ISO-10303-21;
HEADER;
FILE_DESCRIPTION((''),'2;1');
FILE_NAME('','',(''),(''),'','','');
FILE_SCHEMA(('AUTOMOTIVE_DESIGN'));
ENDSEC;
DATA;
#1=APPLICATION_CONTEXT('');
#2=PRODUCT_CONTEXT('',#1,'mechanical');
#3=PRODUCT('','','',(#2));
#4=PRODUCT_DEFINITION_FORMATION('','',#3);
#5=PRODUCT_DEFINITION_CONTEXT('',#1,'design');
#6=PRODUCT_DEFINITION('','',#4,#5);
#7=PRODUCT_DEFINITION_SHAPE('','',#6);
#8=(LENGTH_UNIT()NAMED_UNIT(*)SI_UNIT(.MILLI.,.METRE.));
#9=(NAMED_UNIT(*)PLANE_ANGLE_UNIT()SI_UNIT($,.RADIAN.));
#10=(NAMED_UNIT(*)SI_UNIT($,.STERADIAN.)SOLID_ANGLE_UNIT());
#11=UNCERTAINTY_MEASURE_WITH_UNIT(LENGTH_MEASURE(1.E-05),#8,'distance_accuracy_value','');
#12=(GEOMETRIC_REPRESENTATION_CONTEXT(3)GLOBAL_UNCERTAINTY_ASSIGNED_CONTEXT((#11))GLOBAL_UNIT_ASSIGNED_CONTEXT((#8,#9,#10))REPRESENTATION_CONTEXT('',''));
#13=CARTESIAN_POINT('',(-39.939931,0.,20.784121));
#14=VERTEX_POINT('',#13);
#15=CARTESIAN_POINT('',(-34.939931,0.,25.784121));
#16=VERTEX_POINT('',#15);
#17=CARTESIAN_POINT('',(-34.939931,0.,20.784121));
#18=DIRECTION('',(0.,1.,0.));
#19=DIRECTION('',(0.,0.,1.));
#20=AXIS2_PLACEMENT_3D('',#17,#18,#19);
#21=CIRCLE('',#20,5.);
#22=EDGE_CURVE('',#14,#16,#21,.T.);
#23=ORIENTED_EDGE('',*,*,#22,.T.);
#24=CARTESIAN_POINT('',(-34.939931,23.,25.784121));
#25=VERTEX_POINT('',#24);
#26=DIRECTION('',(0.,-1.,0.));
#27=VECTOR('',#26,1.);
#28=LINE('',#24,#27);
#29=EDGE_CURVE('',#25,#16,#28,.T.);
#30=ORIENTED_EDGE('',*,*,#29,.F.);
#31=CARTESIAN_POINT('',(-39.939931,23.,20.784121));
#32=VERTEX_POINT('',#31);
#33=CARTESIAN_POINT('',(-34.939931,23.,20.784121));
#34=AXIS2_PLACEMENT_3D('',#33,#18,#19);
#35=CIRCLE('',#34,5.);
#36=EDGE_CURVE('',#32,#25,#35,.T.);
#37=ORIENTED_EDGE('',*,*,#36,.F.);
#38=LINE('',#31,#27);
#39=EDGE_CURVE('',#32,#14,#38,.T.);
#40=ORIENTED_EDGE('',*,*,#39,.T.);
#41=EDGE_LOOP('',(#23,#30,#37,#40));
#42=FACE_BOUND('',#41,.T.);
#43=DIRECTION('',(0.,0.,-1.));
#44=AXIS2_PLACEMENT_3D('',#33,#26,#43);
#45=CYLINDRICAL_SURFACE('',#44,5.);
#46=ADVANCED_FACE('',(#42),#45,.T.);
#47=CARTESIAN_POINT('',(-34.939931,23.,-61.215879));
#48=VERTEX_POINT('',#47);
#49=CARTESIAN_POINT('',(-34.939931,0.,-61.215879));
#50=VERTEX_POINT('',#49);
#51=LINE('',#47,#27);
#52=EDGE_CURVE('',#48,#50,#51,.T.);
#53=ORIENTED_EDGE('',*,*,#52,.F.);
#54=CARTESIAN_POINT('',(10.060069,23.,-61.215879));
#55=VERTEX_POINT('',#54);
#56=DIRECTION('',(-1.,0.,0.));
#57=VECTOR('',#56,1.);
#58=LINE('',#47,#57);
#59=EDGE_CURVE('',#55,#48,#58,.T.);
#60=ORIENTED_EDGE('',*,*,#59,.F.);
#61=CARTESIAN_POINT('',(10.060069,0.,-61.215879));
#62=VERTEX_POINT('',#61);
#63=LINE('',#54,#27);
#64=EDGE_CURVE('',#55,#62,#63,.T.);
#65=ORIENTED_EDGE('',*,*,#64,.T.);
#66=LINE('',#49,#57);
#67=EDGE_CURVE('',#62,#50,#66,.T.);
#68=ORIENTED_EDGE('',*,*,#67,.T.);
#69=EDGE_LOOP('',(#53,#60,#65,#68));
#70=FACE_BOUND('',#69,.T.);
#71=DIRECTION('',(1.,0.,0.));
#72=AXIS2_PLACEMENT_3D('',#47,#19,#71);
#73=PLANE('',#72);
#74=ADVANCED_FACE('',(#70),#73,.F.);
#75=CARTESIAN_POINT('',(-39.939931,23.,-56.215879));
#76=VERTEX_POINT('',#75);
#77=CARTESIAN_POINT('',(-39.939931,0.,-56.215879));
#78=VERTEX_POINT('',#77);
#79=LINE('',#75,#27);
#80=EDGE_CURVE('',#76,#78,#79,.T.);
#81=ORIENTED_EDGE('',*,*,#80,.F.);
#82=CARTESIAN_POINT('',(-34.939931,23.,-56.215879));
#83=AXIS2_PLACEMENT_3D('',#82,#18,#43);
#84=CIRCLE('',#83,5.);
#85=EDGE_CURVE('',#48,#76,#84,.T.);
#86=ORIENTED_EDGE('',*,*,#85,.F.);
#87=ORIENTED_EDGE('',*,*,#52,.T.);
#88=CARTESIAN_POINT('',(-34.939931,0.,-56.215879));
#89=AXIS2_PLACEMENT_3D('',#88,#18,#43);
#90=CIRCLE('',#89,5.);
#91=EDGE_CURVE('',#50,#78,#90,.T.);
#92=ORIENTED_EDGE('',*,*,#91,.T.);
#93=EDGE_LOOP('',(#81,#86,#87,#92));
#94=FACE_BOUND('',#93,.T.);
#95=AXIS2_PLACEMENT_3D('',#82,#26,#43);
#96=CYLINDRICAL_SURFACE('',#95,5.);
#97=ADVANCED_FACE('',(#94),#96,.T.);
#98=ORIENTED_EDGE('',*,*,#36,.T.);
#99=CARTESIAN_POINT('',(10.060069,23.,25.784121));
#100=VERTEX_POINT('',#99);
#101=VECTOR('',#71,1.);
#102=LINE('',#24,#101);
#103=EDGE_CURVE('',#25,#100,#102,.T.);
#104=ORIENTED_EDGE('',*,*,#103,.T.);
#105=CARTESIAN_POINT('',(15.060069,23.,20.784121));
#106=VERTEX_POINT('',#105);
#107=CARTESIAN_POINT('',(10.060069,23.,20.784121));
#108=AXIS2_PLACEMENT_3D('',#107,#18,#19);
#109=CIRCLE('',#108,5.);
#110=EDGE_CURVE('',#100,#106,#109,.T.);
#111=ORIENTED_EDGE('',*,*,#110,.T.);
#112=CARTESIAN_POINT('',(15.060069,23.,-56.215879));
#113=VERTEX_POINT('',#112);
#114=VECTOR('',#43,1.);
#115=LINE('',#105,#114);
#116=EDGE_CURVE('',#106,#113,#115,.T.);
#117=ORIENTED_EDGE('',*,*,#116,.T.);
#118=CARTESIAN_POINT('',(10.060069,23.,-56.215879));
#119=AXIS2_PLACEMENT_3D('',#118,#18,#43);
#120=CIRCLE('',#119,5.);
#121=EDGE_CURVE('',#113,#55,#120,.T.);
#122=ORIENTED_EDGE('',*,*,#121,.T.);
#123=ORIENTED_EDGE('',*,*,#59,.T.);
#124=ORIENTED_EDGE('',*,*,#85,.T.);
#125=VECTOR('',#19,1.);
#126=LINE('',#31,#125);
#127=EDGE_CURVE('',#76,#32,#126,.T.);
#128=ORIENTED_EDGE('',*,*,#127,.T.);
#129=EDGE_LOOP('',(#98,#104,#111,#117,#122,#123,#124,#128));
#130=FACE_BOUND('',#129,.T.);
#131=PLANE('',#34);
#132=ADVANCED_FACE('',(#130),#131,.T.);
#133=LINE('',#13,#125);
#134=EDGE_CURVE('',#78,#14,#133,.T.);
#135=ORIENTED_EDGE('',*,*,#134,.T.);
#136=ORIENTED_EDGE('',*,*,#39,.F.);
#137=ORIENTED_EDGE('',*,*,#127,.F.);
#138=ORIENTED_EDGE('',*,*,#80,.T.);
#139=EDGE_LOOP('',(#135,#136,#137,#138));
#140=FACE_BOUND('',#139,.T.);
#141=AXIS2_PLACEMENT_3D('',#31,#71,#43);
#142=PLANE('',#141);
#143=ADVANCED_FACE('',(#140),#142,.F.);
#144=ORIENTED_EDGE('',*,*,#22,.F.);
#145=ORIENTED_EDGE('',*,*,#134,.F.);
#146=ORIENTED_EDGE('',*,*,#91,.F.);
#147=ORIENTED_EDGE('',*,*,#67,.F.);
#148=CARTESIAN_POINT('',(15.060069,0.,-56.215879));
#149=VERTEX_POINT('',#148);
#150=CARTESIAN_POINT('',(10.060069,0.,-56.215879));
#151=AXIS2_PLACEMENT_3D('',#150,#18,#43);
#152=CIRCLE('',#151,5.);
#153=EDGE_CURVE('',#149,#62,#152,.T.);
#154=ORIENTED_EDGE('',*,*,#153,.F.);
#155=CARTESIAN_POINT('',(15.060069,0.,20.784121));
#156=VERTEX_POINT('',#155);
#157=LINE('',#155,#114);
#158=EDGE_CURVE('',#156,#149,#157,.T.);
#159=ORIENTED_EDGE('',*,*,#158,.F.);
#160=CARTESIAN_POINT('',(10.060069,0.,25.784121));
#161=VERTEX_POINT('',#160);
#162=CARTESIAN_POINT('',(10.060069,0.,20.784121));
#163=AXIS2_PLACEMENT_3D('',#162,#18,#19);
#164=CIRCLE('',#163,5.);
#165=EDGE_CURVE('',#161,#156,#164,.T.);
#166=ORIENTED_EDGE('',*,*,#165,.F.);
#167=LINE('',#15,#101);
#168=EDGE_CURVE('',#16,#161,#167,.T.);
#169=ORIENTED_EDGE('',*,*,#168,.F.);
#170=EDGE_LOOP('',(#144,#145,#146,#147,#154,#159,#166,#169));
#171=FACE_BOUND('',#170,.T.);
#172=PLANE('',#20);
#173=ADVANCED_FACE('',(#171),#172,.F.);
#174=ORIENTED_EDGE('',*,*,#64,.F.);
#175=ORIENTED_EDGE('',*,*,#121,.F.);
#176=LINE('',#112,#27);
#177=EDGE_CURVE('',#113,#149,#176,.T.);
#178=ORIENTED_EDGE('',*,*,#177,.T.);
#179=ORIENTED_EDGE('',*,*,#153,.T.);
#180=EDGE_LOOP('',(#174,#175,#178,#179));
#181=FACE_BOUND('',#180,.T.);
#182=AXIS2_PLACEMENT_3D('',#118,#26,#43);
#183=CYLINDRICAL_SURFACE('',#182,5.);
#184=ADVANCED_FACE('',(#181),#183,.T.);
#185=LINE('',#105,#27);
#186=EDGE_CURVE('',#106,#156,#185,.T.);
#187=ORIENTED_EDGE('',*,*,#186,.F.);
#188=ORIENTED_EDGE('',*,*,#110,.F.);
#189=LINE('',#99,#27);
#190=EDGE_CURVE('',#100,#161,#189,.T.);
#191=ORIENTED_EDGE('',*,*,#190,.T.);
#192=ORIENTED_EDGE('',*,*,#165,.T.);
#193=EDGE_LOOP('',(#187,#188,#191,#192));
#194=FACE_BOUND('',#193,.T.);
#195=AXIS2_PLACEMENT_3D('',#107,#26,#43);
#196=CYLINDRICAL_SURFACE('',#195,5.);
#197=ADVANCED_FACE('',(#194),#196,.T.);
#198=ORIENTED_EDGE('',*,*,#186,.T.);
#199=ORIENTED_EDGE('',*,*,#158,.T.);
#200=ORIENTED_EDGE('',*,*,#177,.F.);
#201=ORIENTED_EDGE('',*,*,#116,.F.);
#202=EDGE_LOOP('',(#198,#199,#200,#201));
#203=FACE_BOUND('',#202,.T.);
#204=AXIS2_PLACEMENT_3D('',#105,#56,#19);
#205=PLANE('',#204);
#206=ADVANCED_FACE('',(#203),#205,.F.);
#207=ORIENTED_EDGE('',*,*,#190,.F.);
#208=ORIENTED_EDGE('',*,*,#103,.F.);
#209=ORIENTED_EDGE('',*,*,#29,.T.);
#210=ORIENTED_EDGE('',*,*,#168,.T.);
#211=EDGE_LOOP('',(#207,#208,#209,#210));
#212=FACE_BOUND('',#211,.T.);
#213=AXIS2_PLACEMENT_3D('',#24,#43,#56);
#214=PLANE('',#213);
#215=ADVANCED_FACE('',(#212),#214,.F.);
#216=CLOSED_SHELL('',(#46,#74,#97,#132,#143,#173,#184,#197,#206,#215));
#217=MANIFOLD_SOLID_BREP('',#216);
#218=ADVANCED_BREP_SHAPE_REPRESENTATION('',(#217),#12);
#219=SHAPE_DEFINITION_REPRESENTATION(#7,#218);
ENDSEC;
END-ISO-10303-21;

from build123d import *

# Parameters (mm, degrees)
BOSS_EXTRUDE1_DEPTH = 23


with BuildPart() as part:
    # Sketch1 → Boss-Extrude1 (new body)
    with BuildSketch(Plane(origin=(0, 0, 0), x_dir=(1, 0, 0), z_dir=(0, 1, 0))):
        with BuildLine():
            Line((-34.939931315, -25.784120919), (10.060068685, -25.784120919))
            ThreePointArc((10.060068685, -25.784120919), (13.595602591, -24.319654825), (15.060068685, -20.784120919))
            Line((15.060068685, -20.784120919), (15.060068685, 56.215879081))
            ThreePointArc((15.060068685, 56.215879081), (13.595602591, 59.751412987), (10.060068685, 61.215879081))
            Line((10.060068685, 61.215879081), (-34.939931315, 61.215879081))
            ThreePointArc((-34.939931315, 61.215879081), (-38.475465221, 59.751412987), (-39.939931315, 56.215879081))
            Line((-39.939931315, 56.215879081), (-39.939931315, -20.784120919))
            ThreePointArc((-39.939931315, -20.784120919), (-38.475465221, -24.319654825), (-34.939931315, -25.784120919))
        make_face()
    extrude(amount=BOSS_EXTRUDE1_DEPTH)


solid = part.part
